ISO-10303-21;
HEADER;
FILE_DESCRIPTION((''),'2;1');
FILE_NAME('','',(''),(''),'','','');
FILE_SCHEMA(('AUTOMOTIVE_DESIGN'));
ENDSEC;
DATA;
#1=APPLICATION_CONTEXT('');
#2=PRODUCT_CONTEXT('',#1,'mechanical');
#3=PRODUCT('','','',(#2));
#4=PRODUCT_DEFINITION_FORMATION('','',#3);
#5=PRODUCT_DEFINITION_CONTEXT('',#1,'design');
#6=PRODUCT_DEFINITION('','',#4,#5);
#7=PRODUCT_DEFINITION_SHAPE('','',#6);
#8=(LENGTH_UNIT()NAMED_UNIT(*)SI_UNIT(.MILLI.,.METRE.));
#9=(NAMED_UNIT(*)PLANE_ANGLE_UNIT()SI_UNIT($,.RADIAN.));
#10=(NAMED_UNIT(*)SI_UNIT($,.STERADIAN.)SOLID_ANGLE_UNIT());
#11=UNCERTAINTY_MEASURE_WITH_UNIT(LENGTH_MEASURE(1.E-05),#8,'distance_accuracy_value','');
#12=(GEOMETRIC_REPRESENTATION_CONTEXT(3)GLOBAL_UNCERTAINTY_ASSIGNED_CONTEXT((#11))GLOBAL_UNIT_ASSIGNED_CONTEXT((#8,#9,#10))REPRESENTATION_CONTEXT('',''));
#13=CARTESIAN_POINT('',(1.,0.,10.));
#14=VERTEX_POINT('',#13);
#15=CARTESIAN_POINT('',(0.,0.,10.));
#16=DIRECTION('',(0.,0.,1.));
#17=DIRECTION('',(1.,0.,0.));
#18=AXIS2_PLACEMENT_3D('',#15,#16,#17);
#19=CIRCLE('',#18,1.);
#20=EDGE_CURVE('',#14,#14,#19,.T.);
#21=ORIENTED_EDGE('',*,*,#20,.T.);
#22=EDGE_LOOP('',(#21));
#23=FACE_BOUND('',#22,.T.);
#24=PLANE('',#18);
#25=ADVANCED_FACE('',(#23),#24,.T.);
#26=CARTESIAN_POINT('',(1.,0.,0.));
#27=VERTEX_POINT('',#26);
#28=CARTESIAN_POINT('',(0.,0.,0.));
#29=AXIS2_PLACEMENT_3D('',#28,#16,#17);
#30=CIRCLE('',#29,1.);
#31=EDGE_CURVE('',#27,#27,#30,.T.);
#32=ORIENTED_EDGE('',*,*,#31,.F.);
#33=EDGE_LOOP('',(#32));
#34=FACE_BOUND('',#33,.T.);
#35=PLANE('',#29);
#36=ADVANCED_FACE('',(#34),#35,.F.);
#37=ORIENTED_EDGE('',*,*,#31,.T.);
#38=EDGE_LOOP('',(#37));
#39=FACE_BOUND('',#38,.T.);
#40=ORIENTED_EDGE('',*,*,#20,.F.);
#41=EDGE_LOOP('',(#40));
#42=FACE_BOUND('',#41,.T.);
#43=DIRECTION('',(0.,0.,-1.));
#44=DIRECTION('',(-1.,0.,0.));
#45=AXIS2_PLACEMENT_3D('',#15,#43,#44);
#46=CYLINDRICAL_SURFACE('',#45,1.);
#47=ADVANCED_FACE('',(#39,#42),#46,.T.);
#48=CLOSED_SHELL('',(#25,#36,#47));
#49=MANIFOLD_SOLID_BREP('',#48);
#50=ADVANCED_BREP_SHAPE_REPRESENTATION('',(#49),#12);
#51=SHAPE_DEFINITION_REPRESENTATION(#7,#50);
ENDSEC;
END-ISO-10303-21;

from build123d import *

# Parameters (mm, degrees)
SKETCH_1_R      = 1
EXTRUDE_1_DEPTH = 10


with BuildPart() as part:
    # 草图1 → 凸台-拉伸1 (new body)
    with BuildSketch(Plane.XY):
        Circle(SKETCH_1_R)
    extrude(amount=EXTRUDE_1_DEPTH)


solid = part.part
